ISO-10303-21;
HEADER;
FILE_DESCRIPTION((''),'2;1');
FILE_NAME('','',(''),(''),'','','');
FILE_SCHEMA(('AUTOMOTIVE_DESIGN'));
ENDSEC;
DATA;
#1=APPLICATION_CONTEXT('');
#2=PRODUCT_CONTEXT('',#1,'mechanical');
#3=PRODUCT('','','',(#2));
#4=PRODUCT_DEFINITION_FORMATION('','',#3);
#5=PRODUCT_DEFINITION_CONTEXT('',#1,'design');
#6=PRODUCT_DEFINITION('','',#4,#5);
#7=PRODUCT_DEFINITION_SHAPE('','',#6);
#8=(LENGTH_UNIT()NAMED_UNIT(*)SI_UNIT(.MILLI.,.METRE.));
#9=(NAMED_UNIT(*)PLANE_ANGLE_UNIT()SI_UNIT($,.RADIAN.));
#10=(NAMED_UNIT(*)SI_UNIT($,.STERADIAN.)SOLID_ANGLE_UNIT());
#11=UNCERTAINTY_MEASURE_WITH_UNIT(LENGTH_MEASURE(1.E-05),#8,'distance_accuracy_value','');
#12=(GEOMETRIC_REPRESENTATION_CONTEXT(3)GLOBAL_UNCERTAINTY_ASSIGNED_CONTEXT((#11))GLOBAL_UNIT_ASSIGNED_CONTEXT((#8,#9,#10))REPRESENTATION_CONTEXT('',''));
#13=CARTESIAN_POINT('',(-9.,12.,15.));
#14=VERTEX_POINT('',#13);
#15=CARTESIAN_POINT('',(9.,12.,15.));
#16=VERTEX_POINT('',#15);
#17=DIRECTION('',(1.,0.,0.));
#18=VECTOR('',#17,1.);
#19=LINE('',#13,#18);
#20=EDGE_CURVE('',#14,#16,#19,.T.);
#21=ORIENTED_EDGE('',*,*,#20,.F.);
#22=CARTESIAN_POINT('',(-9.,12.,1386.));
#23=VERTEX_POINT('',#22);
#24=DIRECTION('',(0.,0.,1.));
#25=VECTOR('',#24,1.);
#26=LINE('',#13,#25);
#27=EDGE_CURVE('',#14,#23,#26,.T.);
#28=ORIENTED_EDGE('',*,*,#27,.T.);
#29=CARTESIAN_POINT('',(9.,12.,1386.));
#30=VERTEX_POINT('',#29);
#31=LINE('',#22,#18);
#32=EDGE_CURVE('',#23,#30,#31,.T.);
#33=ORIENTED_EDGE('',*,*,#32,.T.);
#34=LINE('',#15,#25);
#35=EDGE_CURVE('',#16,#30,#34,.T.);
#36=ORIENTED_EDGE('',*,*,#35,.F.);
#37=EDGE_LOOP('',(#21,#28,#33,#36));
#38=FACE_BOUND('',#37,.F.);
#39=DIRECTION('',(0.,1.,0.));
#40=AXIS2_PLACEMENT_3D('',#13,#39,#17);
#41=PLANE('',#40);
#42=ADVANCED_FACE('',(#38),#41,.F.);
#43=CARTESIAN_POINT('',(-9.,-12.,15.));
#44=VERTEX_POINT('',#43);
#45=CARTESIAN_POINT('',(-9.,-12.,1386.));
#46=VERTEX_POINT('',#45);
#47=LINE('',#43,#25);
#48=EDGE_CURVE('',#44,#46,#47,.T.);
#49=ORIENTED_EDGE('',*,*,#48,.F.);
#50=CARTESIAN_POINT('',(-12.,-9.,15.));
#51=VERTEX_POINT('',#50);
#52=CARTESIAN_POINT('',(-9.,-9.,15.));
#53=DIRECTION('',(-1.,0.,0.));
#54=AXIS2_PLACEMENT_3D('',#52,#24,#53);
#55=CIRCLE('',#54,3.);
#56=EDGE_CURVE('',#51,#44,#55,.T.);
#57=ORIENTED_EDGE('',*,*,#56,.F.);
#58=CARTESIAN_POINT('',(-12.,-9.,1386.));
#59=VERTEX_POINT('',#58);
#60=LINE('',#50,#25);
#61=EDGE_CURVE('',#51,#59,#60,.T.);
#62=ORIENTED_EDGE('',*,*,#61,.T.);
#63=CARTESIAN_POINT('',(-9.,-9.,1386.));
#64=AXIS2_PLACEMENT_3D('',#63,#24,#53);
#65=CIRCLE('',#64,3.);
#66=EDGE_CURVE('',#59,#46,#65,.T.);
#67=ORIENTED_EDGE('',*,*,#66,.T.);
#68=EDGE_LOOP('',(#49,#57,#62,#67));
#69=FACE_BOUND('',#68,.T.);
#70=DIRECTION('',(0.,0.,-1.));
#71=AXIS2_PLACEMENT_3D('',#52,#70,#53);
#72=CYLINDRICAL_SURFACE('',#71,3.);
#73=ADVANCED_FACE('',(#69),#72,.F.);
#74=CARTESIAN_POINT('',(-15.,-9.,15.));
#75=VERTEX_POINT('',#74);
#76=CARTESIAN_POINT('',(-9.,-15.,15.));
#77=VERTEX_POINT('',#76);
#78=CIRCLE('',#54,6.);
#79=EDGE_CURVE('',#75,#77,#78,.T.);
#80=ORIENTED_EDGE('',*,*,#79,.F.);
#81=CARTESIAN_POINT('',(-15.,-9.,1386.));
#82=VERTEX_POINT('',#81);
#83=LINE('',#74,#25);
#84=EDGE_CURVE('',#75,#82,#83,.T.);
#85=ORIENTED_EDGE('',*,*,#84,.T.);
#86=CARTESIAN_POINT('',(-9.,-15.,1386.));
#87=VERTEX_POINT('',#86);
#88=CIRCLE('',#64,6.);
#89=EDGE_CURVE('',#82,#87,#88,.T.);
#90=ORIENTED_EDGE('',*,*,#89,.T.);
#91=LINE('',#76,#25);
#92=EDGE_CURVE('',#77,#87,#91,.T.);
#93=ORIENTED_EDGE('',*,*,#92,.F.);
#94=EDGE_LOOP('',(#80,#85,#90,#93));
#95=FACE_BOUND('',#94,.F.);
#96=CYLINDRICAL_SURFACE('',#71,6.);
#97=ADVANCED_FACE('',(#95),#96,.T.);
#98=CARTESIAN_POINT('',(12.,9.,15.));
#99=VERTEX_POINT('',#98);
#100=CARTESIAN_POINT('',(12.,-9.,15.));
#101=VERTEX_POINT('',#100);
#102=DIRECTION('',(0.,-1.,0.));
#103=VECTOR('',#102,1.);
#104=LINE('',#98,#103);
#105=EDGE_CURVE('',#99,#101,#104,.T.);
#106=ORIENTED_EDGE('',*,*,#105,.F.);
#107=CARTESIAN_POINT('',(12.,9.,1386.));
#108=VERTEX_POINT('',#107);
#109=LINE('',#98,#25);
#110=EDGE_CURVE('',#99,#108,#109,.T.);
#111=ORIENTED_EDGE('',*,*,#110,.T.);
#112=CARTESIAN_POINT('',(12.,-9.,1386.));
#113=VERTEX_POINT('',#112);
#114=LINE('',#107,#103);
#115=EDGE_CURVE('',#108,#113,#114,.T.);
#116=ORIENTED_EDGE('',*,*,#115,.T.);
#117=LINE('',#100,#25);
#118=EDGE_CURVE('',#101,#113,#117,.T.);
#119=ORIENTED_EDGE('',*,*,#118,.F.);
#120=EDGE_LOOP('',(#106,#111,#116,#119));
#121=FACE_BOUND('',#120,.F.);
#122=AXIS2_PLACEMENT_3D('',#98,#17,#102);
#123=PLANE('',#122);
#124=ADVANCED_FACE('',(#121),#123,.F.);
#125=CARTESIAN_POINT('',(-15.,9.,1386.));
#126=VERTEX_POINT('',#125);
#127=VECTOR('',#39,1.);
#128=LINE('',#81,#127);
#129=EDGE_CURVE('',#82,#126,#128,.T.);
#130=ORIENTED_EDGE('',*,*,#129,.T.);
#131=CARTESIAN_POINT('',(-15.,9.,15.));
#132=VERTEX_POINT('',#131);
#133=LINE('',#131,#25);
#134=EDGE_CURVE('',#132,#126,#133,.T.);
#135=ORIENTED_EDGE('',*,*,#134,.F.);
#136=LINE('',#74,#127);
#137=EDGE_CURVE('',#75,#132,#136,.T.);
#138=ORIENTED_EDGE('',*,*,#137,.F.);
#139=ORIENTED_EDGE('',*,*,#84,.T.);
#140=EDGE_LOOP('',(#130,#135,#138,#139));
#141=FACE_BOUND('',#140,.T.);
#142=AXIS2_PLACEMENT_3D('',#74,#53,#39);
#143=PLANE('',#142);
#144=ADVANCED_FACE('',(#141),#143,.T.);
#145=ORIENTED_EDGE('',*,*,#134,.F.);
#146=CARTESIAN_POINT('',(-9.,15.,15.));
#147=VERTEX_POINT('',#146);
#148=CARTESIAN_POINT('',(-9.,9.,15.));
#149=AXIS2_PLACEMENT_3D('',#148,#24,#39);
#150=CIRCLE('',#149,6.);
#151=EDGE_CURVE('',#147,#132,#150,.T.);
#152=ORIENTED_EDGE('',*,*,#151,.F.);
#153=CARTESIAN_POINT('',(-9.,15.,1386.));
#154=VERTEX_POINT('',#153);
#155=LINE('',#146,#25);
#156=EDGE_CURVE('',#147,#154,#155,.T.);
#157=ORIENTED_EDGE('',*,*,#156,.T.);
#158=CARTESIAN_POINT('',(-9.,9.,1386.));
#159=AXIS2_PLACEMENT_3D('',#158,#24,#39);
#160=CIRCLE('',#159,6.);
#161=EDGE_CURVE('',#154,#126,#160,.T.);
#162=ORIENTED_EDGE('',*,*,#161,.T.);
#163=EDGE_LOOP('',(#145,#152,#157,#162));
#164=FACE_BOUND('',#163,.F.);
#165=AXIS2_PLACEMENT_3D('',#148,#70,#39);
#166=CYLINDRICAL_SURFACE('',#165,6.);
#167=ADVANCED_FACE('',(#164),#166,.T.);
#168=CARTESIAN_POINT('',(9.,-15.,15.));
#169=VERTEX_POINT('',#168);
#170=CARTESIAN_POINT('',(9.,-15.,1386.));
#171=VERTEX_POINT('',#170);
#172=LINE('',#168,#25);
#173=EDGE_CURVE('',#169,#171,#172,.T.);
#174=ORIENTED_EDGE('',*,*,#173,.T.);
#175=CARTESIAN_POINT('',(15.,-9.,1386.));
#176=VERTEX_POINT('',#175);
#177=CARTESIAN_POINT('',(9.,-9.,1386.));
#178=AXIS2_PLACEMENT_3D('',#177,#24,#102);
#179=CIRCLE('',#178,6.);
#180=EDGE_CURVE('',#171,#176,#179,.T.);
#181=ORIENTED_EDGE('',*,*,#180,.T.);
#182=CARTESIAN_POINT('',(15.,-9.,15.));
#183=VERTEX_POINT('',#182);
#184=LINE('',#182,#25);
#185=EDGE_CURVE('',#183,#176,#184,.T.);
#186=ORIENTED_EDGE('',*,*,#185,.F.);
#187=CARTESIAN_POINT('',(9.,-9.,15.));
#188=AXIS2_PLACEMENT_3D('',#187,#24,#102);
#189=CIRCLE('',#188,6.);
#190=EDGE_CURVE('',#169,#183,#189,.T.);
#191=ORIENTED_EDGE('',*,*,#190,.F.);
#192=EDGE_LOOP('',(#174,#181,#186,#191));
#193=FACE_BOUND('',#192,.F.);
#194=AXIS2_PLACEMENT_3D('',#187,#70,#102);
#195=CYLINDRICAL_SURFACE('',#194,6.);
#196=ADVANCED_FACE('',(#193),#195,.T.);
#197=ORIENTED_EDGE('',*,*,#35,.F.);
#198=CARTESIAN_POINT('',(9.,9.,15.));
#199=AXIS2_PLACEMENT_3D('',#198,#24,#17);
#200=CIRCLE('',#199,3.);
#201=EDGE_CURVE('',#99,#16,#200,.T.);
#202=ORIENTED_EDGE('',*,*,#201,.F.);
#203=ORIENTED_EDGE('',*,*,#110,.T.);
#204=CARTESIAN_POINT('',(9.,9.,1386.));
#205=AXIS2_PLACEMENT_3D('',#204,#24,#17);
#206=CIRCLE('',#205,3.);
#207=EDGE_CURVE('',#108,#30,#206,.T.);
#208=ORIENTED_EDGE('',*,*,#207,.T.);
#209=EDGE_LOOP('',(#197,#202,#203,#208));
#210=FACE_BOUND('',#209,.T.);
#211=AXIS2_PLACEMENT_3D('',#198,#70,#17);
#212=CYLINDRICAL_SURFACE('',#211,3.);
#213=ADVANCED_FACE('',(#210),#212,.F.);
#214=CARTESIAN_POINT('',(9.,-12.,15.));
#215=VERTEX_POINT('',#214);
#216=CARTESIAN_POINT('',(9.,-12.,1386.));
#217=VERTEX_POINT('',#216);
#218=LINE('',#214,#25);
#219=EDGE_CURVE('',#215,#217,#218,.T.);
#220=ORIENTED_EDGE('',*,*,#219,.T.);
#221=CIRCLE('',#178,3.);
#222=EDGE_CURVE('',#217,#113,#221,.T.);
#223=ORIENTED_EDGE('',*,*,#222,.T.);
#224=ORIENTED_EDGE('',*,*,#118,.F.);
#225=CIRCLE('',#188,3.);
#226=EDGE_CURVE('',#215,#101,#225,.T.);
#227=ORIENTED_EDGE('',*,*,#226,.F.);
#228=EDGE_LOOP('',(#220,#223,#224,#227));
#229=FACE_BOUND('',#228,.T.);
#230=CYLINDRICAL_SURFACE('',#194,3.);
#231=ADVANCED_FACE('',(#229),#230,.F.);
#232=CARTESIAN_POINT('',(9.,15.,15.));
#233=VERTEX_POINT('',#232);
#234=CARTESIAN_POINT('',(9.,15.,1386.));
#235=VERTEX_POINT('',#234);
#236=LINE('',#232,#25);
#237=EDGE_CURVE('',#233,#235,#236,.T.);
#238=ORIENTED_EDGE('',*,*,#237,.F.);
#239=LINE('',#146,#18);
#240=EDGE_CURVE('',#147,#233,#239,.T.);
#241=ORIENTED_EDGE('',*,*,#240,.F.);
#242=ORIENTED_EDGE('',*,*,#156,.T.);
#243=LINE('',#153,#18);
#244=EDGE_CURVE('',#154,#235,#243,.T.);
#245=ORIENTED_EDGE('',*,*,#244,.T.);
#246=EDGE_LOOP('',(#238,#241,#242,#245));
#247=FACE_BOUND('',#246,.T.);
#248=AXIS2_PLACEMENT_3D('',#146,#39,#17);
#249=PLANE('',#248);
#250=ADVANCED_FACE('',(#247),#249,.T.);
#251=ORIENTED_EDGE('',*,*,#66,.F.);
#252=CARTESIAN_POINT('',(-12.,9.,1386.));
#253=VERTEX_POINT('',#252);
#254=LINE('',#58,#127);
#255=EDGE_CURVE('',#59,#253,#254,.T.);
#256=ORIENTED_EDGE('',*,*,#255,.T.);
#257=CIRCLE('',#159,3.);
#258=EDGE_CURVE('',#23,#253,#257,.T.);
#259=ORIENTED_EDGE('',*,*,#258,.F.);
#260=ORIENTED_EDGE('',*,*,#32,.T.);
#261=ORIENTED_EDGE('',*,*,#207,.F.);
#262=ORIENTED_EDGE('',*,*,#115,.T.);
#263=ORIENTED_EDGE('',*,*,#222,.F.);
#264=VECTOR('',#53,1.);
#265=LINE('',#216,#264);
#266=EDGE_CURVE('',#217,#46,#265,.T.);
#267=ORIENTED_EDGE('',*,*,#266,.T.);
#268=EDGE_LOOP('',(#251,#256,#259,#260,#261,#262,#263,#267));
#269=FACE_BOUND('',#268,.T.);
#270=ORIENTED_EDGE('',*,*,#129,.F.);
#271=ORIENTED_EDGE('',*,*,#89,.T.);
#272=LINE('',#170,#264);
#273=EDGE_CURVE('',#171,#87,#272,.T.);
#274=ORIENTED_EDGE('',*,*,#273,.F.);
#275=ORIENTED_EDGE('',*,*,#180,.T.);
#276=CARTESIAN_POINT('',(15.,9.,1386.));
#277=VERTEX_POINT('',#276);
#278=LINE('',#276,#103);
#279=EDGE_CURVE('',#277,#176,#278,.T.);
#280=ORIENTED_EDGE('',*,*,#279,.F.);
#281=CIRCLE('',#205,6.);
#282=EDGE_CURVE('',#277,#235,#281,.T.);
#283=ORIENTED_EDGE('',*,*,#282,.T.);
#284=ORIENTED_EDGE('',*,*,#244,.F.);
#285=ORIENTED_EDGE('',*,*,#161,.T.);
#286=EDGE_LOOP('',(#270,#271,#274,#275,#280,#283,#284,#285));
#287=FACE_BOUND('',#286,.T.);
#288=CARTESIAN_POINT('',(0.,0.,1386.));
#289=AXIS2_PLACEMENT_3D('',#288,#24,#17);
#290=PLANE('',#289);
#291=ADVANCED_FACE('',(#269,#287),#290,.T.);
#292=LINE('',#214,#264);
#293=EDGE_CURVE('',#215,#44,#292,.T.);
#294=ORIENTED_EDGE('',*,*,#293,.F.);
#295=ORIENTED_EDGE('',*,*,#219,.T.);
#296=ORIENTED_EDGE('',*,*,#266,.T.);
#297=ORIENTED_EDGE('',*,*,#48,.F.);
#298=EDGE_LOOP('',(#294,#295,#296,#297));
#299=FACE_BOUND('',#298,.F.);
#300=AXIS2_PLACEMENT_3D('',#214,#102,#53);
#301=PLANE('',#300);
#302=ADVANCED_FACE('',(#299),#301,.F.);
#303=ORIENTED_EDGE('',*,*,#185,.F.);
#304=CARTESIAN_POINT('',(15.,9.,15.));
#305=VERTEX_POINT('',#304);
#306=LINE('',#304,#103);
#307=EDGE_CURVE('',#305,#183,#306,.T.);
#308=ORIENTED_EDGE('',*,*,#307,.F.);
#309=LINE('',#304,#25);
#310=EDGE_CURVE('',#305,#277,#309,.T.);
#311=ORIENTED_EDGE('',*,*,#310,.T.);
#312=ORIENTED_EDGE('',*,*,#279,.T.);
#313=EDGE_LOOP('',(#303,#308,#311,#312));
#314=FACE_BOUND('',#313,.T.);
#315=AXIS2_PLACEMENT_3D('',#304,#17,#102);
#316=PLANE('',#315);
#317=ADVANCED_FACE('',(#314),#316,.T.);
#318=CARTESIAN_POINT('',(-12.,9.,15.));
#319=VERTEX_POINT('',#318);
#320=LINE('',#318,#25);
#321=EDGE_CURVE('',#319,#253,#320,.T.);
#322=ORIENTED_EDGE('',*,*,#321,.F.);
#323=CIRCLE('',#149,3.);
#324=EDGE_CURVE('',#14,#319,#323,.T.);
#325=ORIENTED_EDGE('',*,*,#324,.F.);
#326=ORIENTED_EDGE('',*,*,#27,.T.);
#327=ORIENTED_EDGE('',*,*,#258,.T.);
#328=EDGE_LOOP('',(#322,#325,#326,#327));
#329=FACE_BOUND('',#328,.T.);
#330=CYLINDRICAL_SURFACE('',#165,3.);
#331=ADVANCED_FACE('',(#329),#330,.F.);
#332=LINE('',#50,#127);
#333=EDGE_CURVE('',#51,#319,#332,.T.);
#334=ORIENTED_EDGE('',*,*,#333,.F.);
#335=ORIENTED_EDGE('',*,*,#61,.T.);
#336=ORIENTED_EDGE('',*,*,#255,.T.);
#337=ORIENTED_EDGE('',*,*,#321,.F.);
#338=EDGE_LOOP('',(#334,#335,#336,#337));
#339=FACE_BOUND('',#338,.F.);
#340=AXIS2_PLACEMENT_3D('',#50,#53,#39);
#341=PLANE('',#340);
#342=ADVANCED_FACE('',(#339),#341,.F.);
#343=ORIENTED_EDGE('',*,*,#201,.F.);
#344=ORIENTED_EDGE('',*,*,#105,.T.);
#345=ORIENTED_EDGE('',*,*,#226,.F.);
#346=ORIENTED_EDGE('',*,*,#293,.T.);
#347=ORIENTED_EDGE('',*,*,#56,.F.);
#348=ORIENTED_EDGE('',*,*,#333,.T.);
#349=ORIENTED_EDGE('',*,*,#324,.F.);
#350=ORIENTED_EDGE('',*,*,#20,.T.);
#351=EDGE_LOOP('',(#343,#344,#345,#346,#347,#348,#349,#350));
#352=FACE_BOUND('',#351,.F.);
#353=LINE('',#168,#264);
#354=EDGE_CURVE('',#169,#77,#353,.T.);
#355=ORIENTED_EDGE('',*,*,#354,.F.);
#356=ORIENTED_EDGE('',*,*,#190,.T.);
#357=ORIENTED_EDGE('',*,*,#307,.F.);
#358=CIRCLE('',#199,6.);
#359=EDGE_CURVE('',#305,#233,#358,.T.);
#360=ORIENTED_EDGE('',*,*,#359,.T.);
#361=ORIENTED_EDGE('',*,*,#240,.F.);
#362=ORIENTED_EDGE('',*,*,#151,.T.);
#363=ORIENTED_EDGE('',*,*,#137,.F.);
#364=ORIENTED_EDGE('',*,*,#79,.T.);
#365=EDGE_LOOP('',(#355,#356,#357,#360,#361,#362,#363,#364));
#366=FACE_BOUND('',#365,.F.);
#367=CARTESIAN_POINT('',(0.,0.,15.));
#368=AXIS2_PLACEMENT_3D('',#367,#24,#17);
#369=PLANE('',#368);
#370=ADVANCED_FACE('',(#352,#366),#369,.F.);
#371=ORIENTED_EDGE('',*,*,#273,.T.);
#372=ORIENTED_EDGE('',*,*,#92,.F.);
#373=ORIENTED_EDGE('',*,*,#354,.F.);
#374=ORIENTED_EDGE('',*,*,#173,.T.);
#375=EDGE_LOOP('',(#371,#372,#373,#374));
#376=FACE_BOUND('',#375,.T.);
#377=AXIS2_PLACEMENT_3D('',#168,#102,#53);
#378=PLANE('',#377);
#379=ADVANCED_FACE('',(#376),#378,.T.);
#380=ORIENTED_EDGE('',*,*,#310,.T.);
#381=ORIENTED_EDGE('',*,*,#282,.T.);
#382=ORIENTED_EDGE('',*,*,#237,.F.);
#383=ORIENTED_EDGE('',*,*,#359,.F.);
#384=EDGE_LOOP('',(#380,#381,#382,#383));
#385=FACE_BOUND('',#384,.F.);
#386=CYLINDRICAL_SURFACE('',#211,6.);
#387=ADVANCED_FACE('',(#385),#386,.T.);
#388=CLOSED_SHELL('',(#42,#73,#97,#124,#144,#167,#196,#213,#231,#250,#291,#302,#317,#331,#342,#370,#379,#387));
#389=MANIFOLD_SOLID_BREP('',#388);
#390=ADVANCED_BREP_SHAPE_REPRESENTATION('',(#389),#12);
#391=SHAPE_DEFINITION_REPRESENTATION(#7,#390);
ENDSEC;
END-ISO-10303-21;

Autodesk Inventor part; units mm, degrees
ref_plane "Start plane" through (0, 0, 15) normal (0, 0, 1) x (1, 0, 0)
ref_plane "End plane" through (0, 0, 1386) normal (0, 0, 1) x (1, 0, 0)
sketch "Sketch" plane through (0, 0, 0) normal (0, 0, 1) x (1, 0, 0)
  line L0 (-15, -9) -> (-15, 9)
  line L1 (-9, 15) -> (9, 15)
  line L2 (15, 9) -> (15, -9)
  line L3 (9, -15) -> (-9, -15)
  arc A0 (-15, -9) -> (-9, -15) centre (-9, -9) ccw
  arc A1 (-9, 15) -> (-15, 9) centre (-9, 9) ccw
  arc A2 (15, 9) -> (9, 15) centre (9, 9) ccw
  arc A3 (9, -15) -> (15, -9) centre (9, -9) ccw
  arc A4 (-9, 12) -> (-12, 9) centre (-9, 9) ccw
  line L4 (-9, 12) -> (9, 12)
  arc A5 (12, 9) -> (9, 12) centre (9, 9) ccw
  line L5 (12, 9) -> (12, -9)
  arc A6 (9, -12) -> (12, -9) centre (9, -9) ccw
  line L6 (9, -12) -> (-9, -12)
  arc A7 (-12, -9) -> (-9, -12) centre (-9, -9) ccw
  line L7 (-12, -9) -> (-12, 9)
  line L8 (0, 22.7397) -> (0, -22.7397) construction
  line L9 (-22.7397, 0) -> (22.7397, 0) construction
  dimension "d7" = 6
  dimension "d10" = 30
  dimension "d11" = 30
  dimension "d12" = 3
  dimension "d15" = 15
  dimension "d16" = 15
extrude "Body" add sketch "Sketch" along normal up to surface (1371 mm away) from surface at 15
sketch "Sketch3" plane through (0, 0, 0) normal (0, 0, 1) x (1, 0, 0)
  line L0 (0, 0) -> (10, 0)
ref_plane "Work Plane3" through (0, 0, 0) normal (0, -1, 0) x (1, 0, 0)
ref_plane "Work Plane4" through (9, -230, 15) normal (0, 0, -1) x (-1, 0, 0)
split "Split1" plane through (9, -230, 15) removes the side toward (0, 0, -1)
ref_plane "Work Plane5" through (9, 520, 1386) normal (0, 0, 1) x (1, 0, 0)
split "Split2" plane through (9, 520, 1386) removes the side toward (0, 0, 1)
sketch "Sketch4" plane through (0, 0, 0) normal (0, -1, 0) x (1, 0, 0)
  line L0 (-2, 15) -> (12, 15) projected
  line L1 (-2, 1386) -> (12, 1386) projected
  dimension "d18" = 1371
equation "\"d7\" = G_IR"
equation "\"d10\" = G_H"
equation "\"d11\" = G_W"
equation "\"d12\" = G_T"
equation "\"d15\" = 0.5 * d10"
equation "\"d16\" = 0.5 * d11"
equation "\"d3\" = G_L"
equation "\"G_W\" = 30"
equation "\"G_H\" = 30"
equation "\"G_T\" = 3"
equation "\"G_IR\" = 6"
equation "\"G_L\" = d18"
equation "\"G_OFFSET_START\" = -15"
equation "\"G_OFFSET_END\" = -15"
equation "\"d13\" = -G_OFFSET_START"
equation "\"d14\" = G_OFFSET_END + B_L"
equation "\"B_L\" = 1401"
properties part number "DIN EN 10219-2 - 30 x 30 x 3  - 1371" material "Steel, Mild"
